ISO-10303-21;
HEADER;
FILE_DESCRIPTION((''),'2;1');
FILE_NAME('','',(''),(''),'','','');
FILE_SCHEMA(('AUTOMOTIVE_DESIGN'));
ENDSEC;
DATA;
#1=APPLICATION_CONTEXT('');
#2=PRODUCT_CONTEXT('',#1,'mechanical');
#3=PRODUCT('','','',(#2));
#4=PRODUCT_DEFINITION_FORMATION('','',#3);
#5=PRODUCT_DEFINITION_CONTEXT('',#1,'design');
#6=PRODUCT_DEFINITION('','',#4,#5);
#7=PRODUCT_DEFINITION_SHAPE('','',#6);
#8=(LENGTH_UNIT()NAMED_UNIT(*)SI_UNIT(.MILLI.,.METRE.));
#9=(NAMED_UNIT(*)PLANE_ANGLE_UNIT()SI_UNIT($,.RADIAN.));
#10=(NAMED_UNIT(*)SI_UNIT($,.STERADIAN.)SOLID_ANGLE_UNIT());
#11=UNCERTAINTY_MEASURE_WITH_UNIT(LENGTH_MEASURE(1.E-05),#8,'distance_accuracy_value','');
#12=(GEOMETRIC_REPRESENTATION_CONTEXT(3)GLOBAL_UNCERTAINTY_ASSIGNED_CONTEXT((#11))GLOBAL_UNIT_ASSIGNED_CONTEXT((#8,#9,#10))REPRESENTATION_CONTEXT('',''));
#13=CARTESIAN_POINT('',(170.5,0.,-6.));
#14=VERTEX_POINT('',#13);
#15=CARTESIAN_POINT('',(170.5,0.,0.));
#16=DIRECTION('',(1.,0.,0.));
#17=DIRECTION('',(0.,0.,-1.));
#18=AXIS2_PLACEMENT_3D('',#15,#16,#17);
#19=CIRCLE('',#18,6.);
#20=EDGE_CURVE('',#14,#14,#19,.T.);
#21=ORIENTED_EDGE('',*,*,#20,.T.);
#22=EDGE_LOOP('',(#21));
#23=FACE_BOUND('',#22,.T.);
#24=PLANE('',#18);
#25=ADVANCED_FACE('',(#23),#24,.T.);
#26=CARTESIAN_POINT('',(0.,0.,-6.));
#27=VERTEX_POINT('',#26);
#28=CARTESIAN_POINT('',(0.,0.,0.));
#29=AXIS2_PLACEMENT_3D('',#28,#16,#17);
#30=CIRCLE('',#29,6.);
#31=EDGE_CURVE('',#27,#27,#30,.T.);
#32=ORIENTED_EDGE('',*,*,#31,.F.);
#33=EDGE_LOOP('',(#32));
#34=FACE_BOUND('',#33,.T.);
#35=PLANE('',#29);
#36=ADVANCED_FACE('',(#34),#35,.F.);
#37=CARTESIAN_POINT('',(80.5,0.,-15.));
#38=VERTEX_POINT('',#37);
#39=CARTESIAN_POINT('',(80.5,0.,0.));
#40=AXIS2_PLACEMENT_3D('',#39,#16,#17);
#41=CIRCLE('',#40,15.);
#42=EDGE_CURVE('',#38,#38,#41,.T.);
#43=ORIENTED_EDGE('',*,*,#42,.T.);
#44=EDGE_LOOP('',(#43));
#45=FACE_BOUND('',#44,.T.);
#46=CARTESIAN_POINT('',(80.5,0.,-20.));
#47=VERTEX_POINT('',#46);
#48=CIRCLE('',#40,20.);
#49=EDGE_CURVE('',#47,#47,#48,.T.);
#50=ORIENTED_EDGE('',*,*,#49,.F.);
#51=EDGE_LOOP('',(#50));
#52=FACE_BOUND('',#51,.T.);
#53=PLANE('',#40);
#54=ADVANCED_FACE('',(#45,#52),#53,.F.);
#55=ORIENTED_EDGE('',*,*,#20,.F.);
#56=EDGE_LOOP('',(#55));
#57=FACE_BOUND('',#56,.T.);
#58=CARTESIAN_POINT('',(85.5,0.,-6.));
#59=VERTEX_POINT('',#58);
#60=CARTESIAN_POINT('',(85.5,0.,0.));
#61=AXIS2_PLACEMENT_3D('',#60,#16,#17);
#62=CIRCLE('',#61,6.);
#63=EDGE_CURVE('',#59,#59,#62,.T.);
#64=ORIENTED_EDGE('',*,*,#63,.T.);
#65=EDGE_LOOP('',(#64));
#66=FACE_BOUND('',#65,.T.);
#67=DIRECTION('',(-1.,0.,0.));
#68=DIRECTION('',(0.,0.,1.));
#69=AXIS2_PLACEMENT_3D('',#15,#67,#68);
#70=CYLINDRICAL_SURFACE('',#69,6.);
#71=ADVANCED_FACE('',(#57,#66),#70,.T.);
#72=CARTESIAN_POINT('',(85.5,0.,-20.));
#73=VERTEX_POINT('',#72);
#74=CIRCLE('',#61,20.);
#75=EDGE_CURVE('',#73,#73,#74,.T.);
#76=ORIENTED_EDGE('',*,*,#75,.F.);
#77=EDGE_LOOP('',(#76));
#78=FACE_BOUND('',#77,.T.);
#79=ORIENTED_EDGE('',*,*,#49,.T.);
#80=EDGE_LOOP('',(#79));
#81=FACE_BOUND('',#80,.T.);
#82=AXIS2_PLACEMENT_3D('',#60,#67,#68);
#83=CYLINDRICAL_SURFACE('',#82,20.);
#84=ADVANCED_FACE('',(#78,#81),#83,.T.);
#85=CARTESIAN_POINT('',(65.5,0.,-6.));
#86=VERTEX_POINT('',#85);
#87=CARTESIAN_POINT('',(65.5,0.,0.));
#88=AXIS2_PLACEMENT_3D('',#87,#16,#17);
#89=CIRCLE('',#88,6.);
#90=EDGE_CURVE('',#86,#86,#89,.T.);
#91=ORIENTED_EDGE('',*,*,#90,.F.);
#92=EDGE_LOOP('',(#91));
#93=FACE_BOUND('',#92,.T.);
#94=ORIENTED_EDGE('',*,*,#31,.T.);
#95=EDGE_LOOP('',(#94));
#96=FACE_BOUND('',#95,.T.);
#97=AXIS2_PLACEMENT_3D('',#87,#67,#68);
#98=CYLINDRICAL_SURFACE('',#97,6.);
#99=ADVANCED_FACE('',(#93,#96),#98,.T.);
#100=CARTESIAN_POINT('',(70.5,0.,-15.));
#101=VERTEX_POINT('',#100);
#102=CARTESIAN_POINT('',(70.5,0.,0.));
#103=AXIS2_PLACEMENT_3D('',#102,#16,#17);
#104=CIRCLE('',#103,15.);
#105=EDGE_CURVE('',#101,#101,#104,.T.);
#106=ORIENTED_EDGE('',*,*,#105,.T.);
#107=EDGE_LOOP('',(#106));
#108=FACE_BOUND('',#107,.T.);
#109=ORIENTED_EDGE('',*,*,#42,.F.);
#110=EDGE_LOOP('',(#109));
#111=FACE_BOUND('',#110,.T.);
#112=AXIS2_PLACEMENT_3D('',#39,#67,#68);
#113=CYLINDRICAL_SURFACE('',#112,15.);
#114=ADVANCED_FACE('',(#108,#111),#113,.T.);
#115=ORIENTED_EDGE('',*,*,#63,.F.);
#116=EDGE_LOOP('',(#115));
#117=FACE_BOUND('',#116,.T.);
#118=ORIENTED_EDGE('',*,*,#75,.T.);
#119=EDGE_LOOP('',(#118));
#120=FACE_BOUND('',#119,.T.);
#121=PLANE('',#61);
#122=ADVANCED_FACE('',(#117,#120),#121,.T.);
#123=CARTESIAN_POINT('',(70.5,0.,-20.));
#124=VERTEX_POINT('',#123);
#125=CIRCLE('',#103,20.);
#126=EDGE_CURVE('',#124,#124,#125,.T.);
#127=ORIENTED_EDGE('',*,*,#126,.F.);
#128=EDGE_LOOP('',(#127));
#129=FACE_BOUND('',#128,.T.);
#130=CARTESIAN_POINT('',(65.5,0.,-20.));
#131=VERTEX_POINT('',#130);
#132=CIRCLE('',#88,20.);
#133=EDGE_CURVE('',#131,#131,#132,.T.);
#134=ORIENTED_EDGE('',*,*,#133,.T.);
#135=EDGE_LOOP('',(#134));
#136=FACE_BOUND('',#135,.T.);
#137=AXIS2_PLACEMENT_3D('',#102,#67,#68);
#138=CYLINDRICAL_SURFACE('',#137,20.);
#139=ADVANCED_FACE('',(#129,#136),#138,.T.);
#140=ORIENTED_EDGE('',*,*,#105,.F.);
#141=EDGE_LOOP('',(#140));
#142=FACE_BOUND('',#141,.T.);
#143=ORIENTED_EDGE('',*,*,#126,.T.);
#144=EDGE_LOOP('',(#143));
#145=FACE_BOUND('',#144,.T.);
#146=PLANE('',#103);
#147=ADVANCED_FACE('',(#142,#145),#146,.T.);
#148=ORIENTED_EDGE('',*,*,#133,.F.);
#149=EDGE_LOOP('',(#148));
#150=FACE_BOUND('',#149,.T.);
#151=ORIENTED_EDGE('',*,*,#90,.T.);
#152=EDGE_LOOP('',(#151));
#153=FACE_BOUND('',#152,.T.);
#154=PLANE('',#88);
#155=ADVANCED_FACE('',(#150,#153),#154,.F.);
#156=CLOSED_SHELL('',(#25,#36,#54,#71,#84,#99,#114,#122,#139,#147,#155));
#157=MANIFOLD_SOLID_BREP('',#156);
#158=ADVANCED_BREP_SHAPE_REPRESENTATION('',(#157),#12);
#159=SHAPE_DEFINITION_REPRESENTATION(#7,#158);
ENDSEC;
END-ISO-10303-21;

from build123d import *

# Parameters (mm, degrees)
SKETCH1_R           = 6
BOSS_EXTRUDE1_DEPTH = 65.5
SKETCH2_R           = 20
BOSS_EXTRUDE2_DEPTH = 5
SKETCH3_R           = 15
BOSS_EXTRUDE3_DEPTH = 10
SKETCH4_R           = 20
BOSS_EXTRUDE4_DEPTH = 5
SKETCH5_R           = 6
BOSS_EXTRUDE5_DEPTH = 85


with BuildPart() as part:
    # Sketch1 → Boss-Extrude1 (new body)
    with BuildSketch(Plane(origin=(0, 0, 0), x_dir=(0, 0, -1), z_dir=(1, 0, 0))):
        Circle(SKETCH1_R)
    extrude(amount=BOSS_EXTRUDE1_DEPTH)

    # Sketch2 → Boss-Extrude2 (add)
    with BuildSketch(Plane(origin=(65.5, 0, 0), x_dir=(0, 0, -1), z_dir=(1, 0, 0))):
        Circle(SKETCH2_R)
    extrude(amount=BOSS_EXTRUDE2_DEPTH)

    # Sketch3 → Boss-Extrude3 (add)
    with BuildSketch(Plane(origin=(70.5, 0, 0), x_dir=(0, 0, -1), z_dir=(1, 0, 0))):
        Circle(SKETCH3_R)
    extrude(amount=BOSS_EXTRUDE3_DEPTH)

    # Sketch4 → Boss-Extrude4 (add)
    with BuildSketch(Plane(origin=(80.5, 0, 0), x_dir=(0, 0, -1), z_dir=(1, 0, 0))):
        Circle(SKETCH4_R)
    extrude(amount=BOSS_EXTRUDE4_DEPTH)

    # Sketch5 → Boss-Extrude5 (add)
    with BuildSketch(Plane(origin=(85.5, 0, 0), x_dir=(0, 0, -1), z_dir=(1, 0, 0))):
        Circle(SKETCH5_R)
    extrude(amount=BOSS_EXTRUDE5_DEPTH)


solid = part.part
